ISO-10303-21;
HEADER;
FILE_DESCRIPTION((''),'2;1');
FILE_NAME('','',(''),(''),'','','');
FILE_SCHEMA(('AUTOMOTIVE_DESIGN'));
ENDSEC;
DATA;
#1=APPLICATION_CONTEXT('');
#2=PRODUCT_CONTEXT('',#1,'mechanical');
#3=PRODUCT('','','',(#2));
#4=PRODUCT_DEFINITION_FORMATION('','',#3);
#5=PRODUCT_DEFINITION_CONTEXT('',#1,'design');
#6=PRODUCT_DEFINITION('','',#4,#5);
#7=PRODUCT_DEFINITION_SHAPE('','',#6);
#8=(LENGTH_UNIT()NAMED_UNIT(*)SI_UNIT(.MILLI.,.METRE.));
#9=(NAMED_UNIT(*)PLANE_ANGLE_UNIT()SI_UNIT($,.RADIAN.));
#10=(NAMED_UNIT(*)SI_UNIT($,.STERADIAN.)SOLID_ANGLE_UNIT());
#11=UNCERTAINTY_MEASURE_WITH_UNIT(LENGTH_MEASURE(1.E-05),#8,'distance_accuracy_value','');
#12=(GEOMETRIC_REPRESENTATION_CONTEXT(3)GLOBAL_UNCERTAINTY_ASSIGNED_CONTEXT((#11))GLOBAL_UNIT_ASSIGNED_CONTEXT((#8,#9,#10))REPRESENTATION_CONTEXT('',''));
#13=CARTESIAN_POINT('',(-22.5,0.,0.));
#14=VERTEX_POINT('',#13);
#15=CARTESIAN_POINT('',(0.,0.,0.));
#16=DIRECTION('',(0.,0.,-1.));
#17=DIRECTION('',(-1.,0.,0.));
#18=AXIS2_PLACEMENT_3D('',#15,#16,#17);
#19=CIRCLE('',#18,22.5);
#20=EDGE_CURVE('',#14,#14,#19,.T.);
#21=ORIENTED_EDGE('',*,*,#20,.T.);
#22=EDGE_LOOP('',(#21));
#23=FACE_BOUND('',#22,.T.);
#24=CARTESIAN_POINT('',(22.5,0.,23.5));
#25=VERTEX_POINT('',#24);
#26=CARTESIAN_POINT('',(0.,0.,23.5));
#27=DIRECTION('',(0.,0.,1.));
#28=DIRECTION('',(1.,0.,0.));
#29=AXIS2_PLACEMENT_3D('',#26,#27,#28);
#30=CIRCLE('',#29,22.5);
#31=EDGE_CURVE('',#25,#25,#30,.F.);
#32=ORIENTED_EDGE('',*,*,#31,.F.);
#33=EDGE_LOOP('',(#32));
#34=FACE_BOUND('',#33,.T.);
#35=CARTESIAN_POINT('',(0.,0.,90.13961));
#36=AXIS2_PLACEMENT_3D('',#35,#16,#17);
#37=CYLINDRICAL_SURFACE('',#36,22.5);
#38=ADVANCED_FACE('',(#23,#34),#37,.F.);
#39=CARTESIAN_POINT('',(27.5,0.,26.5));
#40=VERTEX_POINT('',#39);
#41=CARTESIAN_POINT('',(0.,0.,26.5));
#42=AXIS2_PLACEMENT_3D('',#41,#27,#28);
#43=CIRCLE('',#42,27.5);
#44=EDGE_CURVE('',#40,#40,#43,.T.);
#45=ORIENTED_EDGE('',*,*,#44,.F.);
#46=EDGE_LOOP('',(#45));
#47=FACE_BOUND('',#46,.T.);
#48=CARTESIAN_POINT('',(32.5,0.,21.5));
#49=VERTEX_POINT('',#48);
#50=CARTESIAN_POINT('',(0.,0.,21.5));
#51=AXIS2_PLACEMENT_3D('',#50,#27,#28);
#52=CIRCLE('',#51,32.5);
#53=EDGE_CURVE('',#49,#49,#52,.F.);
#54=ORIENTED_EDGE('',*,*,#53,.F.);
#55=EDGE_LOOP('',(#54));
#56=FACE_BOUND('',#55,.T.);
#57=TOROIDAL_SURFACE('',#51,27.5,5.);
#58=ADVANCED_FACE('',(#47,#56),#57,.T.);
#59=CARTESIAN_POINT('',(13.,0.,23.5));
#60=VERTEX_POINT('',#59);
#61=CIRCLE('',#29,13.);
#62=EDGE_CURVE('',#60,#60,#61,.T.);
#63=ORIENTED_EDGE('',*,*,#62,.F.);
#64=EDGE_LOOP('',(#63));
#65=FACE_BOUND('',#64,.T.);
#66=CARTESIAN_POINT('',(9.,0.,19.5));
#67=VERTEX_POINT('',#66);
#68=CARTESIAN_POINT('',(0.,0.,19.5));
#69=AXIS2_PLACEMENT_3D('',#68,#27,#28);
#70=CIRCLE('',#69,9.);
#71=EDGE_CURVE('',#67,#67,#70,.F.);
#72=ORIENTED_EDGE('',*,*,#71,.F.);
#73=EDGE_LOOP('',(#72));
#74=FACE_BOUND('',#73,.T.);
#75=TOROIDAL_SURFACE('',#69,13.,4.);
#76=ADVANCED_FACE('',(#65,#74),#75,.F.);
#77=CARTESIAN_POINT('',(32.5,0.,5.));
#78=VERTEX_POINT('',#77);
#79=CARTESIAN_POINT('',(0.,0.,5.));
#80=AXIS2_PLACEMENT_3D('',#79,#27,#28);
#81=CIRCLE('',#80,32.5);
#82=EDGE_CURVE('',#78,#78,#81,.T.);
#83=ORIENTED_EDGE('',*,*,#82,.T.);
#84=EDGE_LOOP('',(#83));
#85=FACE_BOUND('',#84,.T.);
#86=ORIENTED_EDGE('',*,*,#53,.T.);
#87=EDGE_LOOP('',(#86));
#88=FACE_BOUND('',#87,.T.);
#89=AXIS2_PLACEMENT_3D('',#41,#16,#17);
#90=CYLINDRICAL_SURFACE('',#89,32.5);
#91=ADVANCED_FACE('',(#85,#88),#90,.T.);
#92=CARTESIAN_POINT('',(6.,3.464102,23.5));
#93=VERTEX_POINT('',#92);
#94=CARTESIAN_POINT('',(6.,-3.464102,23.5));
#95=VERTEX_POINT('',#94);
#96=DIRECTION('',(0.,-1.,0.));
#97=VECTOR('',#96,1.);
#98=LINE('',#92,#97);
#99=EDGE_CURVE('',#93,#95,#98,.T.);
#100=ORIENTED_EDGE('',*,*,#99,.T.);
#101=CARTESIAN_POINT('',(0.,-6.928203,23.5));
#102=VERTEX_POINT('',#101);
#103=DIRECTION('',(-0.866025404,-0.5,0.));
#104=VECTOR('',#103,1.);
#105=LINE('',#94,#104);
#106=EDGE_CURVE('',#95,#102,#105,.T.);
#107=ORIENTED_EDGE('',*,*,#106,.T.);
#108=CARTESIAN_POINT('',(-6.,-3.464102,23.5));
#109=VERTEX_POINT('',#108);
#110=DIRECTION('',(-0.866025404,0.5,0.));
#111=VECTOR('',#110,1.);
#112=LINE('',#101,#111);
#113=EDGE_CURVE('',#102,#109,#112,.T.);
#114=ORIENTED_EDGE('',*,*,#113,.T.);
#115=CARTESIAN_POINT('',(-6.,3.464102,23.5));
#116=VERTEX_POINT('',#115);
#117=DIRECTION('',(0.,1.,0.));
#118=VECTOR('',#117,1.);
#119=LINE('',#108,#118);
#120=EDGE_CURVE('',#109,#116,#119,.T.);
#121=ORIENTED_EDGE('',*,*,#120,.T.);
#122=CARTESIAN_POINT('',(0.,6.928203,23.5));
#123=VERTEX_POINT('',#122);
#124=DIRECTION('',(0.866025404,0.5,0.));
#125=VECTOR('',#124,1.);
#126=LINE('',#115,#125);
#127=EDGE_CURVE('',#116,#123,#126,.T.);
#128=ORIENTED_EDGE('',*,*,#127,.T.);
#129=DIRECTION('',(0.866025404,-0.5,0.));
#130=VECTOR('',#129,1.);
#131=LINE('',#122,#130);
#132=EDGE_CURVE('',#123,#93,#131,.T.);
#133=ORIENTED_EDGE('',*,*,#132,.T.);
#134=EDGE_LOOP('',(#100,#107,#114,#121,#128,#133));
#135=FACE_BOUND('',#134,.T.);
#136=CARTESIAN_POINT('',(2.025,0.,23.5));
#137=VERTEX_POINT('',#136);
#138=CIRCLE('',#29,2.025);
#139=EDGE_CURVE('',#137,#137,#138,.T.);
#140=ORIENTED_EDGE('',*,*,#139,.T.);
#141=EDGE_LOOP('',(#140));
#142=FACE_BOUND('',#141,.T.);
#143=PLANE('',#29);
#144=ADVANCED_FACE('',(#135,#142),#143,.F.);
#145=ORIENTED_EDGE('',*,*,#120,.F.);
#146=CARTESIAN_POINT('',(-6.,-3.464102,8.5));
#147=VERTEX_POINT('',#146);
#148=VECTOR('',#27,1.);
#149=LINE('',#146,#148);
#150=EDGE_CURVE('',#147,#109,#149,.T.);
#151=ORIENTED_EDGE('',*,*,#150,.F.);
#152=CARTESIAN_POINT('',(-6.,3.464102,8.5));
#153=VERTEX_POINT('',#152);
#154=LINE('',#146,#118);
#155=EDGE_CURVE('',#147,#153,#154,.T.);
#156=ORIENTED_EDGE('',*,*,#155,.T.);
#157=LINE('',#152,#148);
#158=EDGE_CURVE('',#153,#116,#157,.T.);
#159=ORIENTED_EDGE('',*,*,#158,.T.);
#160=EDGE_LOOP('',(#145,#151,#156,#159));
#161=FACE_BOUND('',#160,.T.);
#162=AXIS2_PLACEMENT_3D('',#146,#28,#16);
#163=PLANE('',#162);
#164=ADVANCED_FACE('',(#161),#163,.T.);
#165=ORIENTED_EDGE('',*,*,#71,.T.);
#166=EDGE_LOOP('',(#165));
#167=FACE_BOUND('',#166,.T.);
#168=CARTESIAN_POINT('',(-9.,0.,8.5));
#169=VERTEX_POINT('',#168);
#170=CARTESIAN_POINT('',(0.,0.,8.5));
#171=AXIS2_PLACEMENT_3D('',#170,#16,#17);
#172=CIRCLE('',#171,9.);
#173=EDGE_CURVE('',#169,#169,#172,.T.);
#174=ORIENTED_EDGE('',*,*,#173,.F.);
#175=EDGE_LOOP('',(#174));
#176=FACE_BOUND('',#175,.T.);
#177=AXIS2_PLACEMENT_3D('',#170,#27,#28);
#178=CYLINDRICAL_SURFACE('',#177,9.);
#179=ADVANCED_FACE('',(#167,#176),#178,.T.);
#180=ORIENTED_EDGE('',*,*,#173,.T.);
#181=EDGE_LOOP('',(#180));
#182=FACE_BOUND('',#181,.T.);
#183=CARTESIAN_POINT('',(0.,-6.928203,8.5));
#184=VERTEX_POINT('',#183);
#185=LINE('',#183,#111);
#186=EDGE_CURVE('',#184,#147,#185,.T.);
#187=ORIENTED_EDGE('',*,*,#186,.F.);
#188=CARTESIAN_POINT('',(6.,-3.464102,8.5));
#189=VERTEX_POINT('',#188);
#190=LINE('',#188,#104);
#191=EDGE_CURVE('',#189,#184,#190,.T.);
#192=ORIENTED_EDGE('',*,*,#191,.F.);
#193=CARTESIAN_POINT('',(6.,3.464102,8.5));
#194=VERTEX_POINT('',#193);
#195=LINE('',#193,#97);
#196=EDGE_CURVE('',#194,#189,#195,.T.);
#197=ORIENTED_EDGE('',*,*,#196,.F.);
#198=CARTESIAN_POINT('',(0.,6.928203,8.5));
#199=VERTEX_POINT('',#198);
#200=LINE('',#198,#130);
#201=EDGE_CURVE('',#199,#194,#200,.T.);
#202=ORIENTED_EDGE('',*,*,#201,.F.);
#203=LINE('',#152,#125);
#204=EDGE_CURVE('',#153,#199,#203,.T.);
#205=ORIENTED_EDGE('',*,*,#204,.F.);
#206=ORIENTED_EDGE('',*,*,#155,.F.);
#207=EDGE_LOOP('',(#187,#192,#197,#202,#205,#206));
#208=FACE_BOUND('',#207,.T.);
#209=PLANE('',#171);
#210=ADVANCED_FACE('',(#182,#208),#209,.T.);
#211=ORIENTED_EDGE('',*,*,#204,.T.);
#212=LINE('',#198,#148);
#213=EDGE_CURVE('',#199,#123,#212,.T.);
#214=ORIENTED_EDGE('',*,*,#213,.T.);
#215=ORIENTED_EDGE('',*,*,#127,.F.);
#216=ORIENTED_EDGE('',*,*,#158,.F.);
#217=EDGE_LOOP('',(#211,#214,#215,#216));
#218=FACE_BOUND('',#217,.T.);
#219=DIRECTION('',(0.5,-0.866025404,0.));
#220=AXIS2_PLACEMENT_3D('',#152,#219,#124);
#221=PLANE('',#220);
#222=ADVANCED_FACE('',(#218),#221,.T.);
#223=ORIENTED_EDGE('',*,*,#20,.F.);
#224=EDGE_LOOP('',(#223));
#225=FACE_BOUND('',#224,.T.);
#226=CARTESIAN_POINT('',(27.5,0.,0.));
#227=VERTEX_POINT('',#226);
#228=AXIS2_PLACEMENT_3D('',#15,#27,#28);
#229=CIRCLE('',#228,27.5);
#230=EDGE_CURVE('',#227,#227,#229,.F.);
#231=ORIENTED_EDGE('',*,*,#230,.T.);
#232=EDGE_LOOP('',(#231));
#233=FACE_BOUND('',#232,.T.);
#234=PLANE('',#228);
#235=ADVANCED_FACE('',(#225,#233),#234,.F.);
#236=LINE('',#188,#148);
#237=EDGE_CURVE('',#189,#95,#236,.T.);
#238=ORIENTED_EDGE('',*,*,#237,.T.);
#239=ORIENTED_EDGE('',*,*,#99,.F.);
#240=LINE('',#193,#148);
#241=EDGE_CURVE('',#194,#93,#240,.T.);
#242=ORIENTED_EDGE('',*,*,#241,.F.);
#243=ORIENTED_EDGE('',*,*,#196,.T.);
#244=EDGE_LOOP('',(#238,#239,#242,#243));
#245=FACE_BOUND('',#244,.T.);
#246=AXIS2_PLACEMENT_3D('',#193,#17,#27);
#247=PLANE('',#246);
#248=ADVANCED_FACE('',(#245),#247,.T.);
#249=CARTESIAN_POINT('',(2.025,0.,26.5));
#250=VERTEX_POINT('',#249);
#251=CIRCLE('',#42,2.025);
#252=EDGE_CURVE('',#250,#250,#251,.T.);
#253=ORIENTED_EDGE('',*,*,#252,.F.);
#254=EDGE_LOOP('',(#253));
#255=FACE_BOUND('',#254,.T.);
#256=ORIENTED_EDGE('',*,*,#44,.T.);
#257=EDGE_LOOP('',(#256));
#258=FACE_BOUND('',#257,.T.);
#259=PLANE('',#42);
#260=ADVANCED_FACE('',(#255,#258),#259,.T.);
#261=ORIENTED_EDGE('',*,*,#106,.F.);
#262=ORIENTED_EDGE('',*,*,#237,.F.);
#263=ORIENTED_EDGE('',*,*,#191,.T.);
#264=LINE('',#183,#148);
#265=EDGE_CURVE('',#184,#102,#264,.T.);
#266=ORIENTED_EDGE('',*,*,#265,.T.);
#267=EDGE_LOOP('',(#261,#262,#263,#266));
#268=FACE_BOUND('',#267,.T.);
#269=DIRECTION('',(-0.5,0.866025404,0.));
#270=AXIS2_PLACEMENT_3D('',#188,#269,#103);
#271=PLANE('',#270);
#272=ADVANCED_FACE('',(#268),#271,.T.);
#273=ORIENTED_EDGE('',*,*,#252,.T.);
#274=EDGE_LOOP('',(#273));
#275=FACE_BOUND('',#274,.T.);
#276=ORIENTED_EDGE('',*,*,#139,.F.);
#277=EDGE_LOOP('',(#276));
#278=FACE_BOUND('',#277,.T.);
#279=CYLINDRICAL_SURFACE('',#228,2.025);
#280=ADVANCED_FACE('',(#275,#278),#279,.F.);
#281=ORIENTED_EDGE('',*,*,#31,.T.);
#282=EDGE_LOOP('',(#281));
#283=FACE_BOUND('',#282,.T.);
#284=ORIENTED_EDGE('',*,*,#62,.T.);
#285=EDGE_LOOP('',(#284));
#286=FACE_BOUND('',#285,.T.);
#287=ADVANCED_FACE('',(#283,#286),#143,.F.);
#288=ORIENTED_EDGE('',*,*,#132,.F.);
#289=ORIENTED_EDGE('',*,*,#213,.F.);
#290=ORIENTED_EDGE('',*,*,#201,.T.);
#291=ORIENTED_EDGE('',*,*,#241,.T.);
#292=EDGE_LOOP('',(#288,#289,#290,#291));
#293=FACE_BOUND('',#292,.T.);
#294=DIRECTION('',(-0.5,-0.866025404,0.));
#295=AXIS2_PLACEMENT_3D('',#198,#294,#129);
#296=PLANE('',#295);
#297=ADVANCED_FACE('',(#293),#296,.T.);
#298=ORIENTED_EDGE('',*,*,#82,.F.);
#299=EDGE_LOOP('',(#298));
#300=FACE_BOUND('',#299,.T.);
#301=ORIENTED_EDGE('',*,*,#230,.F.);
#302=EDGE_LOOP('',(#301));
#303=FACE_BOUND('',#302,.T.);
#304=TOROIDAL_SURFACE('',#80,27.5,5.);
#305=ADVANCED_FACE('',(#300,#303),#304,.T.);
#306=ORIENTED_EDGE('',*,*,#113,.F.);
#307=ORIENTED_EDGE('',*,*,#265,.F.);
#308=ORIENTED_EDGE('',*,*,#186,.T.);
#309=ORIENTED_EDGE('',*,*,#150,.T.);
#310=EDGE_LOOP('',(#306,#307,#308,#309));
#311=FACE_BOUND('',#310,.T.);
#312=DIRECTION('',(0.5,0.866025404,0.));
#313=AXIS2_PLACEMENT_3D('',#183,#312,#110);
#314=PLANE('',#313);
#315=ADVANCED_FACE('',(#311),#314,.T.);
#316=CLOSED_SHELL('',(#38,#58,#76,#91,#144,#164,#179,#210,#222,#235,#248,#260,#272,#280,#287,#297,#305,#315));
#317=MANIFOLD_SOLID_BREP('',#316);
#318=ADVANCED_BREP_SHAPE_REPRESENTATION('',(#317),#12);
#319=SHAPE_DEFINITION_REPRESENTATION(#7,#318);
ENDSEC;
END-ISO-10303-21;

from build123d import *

# Parameters (mm, degrees)
ESBO_O1_R                = 32.5
RESSALTO_EXTRUS_O1_DEPTH = 26.5
ESBO_O2_R                = 22.5
CORTE_EXTRUS_O1_DEPTH    = 23.5
ESBO_O3_R                = 9
RESSALTO_EXTRUS_O2_DEPTH = 15
FILETE1_R                = 4
ESBO_O4_R                = 2.025
CORTE_EXTRUS_O2_DEPTH    = 27.5
FILLET1_R                = 5


with BuildPart() as part:
    # Esboço1 → Ressalto-extrusão1 (new body)
    with BuildSketch(Plane.XY):
        Circle(ESBO_O1_R)
    extrude(amount=RESSALTO_EXTRUS_O1_DEPTH)

    # Esboço2 → Corte-extrusão1 (cut)
    with BuildSketch(Plane(origin=(0, 0, 0), x_dir=(-1, 0, 0), z_dir=(0, 0, -1))):
        Circle(ESBO_O2_R)
    extrude(amount=-CORTE_EXTRUS_O1_DEPTH, mode=Mode.SUBTRACT)

    # Esboço3 → Ressalto-extrusão2 (add)
    with BuildSketch(Plane(origin=(0, 0, 23.5), x_dir=(-1, 0, 0), z_dir=(0, 0, -1))):
        Circle(ESBO_O3_R)
        Polygon((6, -3.464101615), (6, 3.464101615), (0, 6.92820323), (-6, 3.464101615), (-6, -3.464101615), (0, -6.92820323), align=None, mode=Mode.SUBTRACT)
    extrude(amount=RESSALTO_EXTRUS_O2_DEPTH)

    # Filete1
    filete1_edges = [part.edges().sort_by_distance(p)[0] for p in [
        (9, 0, 23.5),
    ]]
    fillet(filete1_edges, radius=FILETE1_R)

    # Esboço4 → Corte-extrusão2 (cut, through all)
    with BuildSketch(Plane.XY.offset(26.5)):
        Circle(ESBO_O4_R)
    extrude(amount=-CORTE_EXTRUS_O2_DEPTH, mode=Mode.SUBTRACT)

    # Fillet1
    fillet1_edges = [part.edges().sort_by_distance(p)[0] for p in [
        (-32.5, 0, 0),
        (-32.5, 0, 26.5),
    ]]
    fillet(fillet1_edges, radius=FILLET1_R)


solid = part.part
